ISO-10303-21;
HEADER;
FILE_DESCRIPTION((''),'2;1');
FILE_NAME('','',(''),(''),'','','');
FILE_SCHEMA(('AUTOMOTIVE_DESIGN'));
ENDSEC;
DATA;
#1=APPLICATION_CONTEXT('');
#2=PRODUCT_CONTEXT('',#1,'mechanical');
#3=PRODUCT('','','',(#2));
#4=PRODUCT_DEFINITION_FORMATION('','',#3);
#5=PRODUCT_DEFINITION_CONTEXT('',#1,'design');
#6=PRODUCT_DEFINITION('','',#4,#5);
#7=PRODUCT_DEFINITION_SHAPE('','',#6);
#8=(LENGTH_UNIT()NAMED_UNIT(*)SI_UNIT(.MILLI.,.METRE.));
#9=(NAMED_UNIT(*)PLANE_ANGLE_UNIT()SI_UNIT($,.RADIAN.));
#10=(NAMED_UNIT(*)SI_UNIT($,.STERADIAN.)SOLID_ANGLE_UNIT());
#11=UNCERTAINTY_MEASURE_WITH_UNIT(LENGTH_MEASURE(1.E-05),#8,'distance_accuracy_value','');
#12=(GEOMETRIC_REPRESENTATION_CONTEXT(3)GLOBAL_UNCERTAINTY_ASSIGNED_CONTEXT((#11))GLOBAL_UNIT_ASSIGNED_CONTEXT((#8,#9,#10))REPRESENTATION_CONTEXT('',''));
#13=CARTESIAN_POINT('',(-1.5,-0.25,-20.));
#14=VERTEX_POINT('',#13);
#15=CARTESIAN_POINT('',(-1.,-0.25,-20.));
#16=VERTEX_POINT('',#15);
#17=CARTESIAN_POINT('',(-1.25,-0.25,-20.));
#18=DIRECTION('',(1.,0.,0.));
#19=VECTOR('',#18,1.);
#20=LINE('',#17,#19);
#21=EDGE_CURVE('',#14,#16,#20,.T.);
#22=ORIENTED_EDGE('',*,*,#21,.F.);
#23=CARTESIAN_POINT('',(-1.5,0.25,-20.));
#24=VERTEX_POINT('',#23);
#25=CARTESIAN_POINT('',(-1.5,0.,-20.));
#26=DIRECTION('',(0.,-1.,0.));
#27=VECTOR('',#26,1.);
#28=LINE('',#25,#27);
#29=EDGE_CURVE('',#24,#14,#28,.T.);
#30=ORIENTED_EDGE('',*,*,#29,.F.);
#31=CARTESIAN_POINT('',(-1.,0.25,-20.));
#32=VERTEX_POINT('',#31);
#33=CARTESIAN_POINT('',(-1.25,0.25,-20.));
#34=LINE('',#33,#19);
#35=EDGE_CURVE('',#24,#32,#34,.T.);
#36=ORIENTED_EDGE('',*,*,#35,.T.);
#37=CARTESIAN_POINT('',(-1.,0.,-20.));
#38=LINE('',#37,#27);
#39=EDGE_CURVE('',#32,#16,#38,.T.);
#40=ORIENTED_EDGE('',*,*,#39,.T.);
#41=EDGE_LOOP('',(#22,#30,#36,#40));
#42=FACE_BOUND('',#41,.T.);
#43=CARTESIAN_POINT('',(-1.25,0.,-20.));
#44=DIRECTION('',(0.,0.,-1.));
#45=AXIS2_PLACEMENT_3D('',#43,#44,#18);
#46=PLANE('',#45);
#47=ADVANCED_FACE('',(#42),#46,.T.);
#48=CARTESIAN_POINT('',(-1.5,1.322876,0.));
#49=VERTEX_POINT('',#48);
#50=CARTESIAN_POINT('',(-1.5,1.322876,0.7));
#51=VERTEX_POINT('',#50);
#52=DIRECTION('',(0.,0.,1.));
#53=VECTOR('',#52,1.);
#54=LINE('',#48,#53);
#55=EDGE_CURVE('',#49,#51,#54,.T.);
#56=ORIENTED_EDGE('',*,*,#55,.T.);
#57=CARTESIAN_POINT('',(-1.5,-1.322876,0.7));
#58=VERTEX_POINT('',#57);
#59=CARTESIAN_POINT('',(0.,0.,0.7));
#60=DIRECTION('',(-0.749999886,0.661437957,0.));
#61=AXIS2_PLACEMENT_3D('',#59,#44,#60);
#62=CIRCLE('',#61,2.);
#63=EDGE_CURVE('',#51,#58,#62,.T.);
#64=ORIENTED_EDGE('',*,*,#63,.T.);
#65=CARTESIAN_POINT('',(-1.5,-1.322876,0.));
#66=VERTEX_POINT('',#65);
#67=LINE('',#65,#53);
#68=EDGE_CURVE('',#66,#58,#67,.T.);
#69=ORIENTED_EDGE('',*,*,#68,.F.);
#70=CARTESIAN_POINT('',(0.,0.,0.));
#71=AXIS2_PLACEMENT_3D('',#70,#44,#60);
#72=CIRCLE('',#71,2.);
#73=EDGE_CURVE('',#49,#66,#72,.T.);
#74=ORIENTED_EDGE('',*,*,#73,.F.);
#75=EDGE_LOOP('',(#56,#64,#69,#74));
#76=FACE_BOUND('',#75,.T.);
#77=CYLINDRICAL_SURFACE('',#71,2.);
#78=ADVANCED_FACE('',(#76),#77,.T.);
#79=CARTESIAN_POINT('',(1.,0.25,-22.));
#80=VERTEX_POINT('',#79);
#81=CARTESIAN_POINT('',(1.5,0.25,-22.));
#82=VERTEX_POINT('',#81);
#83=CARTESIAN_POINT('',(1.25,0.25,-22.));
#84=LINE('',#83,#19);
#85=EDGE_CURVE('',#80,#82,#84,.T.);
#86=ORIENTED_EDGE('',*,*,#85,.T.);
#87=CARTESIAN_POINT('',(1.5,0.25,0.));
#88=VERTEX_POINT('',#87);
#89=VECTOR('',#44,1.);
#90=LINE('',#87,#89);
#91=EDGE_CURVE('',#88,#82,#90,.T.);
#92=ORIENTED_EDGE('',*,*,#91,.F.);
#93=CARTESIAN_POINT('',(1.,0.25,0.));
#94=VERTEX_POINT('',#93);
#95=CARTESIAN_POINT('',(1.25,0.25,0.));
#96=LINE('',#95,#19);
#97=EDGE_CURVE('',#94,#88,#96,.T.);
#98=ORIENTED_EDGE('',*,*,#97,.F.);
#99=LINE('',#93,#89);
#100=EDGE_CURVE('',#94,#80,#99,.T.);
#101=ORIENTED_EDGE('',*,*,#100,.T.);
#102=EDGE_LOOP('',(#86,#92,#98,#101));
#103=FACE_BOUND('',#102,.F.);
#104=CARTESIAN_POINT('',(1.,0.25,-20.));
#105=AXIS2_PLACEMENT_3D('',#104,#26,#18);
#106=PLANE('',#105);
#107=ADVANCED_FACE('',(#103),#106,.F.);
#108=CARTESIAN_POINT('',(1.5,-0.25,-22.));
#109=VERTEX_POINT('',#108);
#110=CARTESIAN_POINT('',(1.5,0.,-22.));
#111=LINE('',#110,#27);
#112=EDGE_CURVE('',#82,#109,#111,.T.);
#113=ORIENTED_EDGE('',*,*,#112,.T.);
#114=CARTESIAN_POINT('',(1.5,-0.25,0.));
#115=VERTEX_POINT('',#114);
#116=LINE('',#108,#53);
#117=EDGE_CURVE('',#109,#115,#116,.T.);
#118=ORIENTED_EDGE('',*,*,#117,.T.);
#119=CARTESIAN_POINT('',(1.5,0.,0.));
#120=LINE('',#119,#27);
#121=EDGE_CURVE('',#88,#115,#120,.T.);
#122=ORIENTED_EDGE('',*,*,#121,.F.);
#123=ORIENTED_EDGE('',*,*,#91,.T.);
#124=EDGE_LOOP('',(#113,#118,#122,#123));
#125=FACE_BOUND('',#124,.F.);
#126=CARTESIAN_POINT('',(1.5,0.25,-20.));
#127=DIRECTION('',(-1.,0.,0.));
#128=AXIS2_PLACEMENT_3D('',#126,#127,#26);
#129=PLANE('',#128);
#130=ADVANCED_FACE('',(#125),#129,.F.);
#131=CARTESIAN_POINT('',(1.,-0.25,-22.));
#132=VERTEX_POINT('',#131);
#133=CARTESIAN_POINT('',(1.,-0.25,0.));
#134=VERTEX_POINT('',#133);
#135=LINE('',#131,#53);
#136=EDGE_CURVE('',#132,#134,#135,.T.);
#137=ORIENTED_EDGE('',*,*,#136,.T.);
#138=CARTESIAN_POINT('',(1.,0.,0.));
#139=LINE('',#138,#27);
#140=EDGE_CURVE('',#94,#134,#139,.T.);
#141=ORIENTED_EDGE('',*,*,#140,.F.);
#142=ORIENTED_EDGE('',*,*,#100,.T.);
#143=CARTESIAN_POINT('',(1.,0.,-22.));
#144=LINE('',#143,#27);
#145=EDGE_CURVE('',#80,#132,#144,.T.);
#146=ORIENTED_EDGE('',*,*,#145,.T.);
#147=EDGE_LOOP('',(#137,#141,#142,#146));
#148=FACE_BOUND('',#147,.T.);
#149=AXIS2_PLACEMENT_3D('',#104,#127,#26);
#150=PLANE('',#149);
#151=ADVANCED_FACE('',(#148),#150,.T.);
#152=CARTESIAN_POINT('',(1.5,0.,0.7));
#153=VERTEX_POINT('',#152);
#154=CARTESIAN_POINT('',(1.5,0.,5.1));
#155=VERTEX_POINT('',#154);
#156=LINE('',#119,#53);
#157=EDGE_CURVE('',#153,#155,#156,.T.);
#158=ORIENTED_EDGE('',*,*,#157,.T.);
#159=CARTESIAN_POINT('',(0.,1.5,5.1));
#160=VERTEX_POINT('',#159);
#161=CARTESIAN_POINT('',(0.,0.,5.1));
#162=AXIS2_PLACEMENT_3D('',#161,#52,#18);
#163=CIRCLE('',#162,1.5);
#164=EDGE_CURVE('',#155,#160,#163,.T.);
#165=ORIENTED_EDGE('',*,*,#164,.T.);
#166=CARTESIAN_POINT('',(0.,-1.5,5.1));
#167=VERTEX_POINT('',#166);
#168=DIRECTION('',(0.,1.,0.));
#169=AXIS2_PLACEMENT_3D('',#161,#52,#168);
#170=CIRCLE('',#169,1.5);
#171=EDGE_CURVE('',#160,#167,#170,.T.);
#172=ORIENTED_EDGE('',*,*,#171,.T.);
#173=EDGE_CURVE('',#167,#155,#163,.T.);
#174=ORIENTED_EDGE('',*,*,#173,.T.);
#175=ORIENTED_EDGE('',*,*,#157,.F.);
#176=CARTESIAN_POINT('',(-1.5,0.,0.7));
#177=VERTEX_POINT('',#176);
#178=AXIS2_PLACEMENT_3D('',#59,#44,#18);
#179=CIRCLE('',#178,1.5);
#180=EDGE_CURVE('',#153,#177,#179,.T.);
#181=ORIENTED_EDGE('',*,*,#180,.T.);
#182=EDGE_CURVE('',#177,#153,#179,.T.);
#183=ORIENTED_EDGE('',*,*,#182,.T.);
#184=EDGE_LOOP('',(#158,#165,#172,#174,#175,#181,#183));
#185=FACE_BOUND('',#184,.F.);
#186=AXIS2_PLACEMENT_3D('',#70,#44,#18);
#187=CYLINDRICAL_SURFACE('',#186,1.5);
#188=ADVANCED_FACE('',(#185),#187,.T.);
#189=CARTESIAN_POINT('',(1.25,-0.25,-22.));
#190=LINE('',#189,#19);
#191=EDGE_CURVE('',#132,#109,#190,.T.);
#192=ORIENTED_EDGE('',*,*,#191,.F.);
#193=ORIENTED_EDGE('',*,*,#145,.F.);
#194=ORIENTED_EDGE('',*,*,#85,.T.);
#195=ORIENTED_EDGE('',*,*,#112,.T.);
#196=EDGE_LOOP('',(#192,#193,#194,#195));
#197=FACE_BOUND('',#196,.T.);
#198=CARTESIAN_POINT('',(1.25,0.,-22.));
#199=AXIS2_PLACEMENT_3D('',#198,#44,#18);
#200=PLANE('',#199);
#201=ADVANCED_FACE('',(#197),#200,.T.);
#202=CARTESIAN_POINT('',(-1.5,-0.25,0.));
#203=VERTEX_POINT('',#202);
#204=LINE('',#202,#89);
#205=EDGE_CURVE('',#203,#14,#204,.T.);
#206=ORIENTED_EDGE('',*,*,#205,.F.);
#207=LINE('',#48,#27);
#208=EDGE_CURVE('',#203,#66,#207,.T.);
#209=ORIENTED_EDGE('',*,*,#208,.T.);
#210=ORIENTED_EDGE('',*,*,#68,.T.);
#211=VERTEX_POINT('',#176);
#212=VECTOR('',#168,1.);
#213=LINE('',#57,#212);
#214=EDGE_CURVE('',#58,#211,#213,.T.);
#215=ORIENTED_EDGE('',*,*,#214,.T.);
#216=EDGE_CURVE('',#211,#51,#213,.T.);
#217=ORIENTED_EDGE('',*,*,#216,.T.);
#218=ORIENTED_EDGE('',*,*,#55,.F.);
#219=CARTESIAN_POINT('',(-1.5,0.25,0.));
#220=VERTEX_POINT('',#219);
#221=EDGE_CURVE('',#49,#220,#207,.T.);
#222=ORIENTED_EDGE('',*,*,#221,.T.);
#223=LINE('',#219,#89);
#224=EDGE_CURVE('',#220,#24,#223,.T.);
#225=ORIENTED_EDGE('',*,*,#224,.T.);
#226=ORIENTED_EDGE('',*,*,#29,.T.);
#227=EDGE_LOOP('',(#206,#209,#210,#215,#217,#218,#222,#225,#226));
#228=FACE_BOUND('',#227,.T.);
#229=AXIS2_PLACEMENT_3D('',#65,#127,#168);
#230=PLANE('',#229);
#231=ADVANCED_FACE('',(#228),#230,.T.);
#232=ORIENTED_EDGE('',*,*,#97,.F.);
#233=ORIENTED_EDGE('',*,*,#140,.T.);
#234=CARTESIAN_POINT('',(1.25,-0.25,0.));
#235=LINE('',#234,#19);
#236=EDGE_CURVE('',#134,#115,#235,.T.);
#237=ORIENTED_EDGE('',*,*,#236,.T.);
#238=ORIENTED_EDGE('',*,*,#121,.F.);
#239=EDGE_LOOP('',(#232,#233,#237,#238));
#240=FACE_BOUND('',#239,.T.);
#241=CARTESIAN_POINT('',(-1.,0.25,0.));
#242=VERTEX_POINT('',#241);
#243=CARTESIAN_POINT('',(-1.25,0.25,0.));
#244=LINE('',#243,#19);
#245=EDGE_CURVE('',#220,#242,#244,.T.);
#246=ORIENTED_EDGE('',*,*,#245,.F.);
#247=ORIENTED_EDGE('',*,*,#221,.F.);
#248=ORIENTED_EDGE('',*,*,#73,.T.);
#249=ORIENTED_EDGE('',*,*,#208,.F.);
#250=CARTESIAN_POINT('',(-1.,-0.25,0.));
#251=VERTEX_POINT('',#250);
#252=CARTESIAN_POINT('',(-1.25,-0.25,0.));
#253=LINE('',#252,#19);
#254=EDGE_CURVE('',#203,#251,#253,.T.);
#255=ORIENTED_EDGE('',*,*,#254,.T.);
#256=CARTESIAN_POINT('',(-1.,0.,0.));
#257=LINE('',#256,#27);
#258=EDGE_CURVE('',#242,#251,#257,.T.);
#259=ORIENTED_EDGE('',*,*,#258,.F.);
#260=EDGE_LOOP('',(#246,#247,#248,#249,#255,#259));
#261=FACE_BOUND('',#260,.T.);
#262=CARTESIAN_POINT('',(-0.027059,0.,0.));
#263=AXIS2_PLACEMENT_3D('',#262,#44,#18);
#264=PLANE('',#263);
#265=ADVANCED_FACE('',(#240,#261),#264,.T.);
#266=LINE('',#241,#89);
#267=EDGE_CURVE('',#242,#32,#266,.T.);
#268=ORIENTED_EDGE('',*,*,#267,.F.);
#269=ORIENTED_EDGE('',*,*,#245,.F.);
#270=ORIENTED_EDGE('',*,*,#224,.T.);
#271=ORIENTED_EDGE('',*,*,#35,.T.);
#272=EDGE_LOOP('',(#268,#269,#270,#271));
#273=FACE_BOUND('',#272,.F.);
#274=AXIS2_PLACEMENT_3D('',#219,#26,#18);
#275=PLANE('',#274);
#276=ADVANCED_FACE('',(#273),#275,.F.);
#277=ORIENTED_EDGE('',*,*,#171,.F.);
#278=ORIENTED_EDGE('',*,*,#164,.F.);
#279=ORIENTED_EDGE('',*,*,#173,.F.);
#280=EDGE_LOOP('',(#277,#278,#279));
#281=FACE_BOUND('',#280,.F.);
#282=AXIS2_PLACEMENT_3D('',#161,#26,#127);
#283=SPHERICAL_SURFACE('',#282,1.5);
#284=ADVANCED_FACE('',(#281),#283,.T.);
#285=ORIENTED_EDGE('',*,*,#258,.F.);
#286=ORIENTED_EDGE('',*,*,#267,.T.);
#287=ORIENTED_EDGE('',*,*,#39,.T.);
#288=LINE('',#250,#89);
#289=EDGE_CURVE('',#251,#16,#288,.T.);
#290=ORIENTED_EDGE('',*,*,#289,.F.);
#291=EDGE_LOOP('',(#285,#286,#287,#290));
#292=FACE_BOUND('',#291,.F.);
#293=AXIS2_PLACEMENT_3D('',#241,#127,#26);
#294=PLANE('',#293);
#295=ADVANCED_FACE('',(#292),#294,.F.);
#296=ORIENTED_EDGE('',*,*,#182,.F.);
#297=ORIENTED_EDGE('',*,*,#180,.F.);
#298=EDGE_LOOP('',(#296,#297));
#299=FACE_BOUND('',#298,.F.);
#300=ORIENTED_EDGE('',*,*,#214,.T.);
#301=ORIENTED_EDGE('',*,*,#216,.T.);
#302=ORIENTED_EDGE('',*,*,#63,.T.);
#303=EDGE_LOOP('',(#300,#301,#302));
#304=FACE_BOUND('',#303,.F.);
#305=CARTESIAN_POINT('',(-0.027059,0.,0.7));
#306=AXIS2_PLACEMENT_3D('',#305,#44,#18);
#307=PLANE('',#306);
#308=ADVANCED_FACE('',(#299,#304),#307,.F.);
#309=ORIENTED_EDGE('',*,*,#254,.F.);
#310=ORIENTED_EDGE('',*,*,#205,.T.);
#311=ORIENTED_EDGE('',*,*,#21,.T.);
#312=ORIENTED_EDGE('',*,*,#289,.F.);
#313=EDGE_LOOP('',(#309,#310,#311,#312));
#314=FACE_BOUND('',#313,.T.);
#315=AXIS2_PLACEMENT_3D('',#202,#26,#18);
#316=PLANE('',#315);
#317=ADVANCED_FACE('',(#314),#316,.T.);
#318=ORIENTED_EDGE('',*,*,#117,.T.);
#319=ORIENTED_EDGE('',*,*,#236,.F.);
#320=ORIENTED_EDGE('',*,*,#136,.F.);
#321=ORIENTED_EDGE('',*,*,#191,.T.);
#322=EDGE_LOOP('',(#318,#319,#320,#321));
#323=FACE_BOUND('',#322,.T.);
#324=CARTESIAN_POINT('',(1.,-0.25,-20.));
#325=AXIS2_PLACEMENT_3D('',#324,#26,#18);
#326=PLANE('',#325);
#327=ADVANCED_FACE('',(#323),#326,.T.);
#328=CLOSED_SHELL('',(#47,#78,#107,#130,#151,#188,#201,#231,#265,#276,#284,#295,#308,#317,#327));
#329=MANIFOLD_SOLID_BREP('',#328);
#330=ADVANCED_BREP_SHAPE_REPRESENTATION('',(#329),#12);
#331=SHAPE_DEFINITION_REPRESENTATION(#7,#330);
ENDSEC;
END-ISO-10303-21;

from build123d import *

# Parameters (mm, degrees)
F0_R      = 1.5
F1_DEPTH  = 5.1
F5_DEPTH  = 0.7
F6_W      = 0.5
F6_H      = 0.5
F7_DEPTH  = 20
F7_FACE_W = 0.5
F7_FACE_H = 0.5
F8_DEPTH  = 2


with BuildPart() as f1:
    # F0 (on Top) → F1 (new body)
    with BuildSketch(Plane.XY):
        Circle(F0_R)
    extrude(amount=F1_DEPTH)

    # F2 (on face) → F3 (revolve)
    with BuildSketch(Plane.XY.offset(5.1)):
        with BuildLine():
            ThreePointArc((0, 1.5), (-1.5, 0), (0, -1.5))
            Line((0, -1.5), (0, 1.5))
        make_face()
    revolve(axis=Axis((0, 0, 5.1), (0, 1, 0)))

    # F4 (on face) → F5 (join)
    with BuildSketch(Plane(origin=(0, 0, 0), x_dir=(1, 0, 0), z_dir=(0, 0, -1))):
        with BuildLine():
            Line((-1.5, 1.322876), (-1.5, -1.322876))
            ThreePointArc((-1.5, -1.322876), (2, 0), (-1.5, 1.322876))
        make_face()
    extrude(amount=-F5_DEPTH)

    # F6 (on face) → F7 (join)
    with BuildSketch(Plane(origin=(0, 0, 0), x_dir=(1, 0, 0), z_dir=(0, 0, -1))):
        with Locations((1.25, 0)):
            Rectangle(F6_W, F6_H)
        with Locations((-1.25, 0)):
            Rectangle(F6_W, F6_H)
    extrude(amount=F7_DEPTH)

    # F7_face (on face) → F8 (join)
    with BuildSketch(Plane(origin=(1.25, 0, -20), x_dir=(1, 0, 0), z_dir=(0, 0, -1))):
        Rectangle(F7_FACE_W, F7_FACE_H)
    extrude(amount=F8_DEPTH)


solid = f1.part
